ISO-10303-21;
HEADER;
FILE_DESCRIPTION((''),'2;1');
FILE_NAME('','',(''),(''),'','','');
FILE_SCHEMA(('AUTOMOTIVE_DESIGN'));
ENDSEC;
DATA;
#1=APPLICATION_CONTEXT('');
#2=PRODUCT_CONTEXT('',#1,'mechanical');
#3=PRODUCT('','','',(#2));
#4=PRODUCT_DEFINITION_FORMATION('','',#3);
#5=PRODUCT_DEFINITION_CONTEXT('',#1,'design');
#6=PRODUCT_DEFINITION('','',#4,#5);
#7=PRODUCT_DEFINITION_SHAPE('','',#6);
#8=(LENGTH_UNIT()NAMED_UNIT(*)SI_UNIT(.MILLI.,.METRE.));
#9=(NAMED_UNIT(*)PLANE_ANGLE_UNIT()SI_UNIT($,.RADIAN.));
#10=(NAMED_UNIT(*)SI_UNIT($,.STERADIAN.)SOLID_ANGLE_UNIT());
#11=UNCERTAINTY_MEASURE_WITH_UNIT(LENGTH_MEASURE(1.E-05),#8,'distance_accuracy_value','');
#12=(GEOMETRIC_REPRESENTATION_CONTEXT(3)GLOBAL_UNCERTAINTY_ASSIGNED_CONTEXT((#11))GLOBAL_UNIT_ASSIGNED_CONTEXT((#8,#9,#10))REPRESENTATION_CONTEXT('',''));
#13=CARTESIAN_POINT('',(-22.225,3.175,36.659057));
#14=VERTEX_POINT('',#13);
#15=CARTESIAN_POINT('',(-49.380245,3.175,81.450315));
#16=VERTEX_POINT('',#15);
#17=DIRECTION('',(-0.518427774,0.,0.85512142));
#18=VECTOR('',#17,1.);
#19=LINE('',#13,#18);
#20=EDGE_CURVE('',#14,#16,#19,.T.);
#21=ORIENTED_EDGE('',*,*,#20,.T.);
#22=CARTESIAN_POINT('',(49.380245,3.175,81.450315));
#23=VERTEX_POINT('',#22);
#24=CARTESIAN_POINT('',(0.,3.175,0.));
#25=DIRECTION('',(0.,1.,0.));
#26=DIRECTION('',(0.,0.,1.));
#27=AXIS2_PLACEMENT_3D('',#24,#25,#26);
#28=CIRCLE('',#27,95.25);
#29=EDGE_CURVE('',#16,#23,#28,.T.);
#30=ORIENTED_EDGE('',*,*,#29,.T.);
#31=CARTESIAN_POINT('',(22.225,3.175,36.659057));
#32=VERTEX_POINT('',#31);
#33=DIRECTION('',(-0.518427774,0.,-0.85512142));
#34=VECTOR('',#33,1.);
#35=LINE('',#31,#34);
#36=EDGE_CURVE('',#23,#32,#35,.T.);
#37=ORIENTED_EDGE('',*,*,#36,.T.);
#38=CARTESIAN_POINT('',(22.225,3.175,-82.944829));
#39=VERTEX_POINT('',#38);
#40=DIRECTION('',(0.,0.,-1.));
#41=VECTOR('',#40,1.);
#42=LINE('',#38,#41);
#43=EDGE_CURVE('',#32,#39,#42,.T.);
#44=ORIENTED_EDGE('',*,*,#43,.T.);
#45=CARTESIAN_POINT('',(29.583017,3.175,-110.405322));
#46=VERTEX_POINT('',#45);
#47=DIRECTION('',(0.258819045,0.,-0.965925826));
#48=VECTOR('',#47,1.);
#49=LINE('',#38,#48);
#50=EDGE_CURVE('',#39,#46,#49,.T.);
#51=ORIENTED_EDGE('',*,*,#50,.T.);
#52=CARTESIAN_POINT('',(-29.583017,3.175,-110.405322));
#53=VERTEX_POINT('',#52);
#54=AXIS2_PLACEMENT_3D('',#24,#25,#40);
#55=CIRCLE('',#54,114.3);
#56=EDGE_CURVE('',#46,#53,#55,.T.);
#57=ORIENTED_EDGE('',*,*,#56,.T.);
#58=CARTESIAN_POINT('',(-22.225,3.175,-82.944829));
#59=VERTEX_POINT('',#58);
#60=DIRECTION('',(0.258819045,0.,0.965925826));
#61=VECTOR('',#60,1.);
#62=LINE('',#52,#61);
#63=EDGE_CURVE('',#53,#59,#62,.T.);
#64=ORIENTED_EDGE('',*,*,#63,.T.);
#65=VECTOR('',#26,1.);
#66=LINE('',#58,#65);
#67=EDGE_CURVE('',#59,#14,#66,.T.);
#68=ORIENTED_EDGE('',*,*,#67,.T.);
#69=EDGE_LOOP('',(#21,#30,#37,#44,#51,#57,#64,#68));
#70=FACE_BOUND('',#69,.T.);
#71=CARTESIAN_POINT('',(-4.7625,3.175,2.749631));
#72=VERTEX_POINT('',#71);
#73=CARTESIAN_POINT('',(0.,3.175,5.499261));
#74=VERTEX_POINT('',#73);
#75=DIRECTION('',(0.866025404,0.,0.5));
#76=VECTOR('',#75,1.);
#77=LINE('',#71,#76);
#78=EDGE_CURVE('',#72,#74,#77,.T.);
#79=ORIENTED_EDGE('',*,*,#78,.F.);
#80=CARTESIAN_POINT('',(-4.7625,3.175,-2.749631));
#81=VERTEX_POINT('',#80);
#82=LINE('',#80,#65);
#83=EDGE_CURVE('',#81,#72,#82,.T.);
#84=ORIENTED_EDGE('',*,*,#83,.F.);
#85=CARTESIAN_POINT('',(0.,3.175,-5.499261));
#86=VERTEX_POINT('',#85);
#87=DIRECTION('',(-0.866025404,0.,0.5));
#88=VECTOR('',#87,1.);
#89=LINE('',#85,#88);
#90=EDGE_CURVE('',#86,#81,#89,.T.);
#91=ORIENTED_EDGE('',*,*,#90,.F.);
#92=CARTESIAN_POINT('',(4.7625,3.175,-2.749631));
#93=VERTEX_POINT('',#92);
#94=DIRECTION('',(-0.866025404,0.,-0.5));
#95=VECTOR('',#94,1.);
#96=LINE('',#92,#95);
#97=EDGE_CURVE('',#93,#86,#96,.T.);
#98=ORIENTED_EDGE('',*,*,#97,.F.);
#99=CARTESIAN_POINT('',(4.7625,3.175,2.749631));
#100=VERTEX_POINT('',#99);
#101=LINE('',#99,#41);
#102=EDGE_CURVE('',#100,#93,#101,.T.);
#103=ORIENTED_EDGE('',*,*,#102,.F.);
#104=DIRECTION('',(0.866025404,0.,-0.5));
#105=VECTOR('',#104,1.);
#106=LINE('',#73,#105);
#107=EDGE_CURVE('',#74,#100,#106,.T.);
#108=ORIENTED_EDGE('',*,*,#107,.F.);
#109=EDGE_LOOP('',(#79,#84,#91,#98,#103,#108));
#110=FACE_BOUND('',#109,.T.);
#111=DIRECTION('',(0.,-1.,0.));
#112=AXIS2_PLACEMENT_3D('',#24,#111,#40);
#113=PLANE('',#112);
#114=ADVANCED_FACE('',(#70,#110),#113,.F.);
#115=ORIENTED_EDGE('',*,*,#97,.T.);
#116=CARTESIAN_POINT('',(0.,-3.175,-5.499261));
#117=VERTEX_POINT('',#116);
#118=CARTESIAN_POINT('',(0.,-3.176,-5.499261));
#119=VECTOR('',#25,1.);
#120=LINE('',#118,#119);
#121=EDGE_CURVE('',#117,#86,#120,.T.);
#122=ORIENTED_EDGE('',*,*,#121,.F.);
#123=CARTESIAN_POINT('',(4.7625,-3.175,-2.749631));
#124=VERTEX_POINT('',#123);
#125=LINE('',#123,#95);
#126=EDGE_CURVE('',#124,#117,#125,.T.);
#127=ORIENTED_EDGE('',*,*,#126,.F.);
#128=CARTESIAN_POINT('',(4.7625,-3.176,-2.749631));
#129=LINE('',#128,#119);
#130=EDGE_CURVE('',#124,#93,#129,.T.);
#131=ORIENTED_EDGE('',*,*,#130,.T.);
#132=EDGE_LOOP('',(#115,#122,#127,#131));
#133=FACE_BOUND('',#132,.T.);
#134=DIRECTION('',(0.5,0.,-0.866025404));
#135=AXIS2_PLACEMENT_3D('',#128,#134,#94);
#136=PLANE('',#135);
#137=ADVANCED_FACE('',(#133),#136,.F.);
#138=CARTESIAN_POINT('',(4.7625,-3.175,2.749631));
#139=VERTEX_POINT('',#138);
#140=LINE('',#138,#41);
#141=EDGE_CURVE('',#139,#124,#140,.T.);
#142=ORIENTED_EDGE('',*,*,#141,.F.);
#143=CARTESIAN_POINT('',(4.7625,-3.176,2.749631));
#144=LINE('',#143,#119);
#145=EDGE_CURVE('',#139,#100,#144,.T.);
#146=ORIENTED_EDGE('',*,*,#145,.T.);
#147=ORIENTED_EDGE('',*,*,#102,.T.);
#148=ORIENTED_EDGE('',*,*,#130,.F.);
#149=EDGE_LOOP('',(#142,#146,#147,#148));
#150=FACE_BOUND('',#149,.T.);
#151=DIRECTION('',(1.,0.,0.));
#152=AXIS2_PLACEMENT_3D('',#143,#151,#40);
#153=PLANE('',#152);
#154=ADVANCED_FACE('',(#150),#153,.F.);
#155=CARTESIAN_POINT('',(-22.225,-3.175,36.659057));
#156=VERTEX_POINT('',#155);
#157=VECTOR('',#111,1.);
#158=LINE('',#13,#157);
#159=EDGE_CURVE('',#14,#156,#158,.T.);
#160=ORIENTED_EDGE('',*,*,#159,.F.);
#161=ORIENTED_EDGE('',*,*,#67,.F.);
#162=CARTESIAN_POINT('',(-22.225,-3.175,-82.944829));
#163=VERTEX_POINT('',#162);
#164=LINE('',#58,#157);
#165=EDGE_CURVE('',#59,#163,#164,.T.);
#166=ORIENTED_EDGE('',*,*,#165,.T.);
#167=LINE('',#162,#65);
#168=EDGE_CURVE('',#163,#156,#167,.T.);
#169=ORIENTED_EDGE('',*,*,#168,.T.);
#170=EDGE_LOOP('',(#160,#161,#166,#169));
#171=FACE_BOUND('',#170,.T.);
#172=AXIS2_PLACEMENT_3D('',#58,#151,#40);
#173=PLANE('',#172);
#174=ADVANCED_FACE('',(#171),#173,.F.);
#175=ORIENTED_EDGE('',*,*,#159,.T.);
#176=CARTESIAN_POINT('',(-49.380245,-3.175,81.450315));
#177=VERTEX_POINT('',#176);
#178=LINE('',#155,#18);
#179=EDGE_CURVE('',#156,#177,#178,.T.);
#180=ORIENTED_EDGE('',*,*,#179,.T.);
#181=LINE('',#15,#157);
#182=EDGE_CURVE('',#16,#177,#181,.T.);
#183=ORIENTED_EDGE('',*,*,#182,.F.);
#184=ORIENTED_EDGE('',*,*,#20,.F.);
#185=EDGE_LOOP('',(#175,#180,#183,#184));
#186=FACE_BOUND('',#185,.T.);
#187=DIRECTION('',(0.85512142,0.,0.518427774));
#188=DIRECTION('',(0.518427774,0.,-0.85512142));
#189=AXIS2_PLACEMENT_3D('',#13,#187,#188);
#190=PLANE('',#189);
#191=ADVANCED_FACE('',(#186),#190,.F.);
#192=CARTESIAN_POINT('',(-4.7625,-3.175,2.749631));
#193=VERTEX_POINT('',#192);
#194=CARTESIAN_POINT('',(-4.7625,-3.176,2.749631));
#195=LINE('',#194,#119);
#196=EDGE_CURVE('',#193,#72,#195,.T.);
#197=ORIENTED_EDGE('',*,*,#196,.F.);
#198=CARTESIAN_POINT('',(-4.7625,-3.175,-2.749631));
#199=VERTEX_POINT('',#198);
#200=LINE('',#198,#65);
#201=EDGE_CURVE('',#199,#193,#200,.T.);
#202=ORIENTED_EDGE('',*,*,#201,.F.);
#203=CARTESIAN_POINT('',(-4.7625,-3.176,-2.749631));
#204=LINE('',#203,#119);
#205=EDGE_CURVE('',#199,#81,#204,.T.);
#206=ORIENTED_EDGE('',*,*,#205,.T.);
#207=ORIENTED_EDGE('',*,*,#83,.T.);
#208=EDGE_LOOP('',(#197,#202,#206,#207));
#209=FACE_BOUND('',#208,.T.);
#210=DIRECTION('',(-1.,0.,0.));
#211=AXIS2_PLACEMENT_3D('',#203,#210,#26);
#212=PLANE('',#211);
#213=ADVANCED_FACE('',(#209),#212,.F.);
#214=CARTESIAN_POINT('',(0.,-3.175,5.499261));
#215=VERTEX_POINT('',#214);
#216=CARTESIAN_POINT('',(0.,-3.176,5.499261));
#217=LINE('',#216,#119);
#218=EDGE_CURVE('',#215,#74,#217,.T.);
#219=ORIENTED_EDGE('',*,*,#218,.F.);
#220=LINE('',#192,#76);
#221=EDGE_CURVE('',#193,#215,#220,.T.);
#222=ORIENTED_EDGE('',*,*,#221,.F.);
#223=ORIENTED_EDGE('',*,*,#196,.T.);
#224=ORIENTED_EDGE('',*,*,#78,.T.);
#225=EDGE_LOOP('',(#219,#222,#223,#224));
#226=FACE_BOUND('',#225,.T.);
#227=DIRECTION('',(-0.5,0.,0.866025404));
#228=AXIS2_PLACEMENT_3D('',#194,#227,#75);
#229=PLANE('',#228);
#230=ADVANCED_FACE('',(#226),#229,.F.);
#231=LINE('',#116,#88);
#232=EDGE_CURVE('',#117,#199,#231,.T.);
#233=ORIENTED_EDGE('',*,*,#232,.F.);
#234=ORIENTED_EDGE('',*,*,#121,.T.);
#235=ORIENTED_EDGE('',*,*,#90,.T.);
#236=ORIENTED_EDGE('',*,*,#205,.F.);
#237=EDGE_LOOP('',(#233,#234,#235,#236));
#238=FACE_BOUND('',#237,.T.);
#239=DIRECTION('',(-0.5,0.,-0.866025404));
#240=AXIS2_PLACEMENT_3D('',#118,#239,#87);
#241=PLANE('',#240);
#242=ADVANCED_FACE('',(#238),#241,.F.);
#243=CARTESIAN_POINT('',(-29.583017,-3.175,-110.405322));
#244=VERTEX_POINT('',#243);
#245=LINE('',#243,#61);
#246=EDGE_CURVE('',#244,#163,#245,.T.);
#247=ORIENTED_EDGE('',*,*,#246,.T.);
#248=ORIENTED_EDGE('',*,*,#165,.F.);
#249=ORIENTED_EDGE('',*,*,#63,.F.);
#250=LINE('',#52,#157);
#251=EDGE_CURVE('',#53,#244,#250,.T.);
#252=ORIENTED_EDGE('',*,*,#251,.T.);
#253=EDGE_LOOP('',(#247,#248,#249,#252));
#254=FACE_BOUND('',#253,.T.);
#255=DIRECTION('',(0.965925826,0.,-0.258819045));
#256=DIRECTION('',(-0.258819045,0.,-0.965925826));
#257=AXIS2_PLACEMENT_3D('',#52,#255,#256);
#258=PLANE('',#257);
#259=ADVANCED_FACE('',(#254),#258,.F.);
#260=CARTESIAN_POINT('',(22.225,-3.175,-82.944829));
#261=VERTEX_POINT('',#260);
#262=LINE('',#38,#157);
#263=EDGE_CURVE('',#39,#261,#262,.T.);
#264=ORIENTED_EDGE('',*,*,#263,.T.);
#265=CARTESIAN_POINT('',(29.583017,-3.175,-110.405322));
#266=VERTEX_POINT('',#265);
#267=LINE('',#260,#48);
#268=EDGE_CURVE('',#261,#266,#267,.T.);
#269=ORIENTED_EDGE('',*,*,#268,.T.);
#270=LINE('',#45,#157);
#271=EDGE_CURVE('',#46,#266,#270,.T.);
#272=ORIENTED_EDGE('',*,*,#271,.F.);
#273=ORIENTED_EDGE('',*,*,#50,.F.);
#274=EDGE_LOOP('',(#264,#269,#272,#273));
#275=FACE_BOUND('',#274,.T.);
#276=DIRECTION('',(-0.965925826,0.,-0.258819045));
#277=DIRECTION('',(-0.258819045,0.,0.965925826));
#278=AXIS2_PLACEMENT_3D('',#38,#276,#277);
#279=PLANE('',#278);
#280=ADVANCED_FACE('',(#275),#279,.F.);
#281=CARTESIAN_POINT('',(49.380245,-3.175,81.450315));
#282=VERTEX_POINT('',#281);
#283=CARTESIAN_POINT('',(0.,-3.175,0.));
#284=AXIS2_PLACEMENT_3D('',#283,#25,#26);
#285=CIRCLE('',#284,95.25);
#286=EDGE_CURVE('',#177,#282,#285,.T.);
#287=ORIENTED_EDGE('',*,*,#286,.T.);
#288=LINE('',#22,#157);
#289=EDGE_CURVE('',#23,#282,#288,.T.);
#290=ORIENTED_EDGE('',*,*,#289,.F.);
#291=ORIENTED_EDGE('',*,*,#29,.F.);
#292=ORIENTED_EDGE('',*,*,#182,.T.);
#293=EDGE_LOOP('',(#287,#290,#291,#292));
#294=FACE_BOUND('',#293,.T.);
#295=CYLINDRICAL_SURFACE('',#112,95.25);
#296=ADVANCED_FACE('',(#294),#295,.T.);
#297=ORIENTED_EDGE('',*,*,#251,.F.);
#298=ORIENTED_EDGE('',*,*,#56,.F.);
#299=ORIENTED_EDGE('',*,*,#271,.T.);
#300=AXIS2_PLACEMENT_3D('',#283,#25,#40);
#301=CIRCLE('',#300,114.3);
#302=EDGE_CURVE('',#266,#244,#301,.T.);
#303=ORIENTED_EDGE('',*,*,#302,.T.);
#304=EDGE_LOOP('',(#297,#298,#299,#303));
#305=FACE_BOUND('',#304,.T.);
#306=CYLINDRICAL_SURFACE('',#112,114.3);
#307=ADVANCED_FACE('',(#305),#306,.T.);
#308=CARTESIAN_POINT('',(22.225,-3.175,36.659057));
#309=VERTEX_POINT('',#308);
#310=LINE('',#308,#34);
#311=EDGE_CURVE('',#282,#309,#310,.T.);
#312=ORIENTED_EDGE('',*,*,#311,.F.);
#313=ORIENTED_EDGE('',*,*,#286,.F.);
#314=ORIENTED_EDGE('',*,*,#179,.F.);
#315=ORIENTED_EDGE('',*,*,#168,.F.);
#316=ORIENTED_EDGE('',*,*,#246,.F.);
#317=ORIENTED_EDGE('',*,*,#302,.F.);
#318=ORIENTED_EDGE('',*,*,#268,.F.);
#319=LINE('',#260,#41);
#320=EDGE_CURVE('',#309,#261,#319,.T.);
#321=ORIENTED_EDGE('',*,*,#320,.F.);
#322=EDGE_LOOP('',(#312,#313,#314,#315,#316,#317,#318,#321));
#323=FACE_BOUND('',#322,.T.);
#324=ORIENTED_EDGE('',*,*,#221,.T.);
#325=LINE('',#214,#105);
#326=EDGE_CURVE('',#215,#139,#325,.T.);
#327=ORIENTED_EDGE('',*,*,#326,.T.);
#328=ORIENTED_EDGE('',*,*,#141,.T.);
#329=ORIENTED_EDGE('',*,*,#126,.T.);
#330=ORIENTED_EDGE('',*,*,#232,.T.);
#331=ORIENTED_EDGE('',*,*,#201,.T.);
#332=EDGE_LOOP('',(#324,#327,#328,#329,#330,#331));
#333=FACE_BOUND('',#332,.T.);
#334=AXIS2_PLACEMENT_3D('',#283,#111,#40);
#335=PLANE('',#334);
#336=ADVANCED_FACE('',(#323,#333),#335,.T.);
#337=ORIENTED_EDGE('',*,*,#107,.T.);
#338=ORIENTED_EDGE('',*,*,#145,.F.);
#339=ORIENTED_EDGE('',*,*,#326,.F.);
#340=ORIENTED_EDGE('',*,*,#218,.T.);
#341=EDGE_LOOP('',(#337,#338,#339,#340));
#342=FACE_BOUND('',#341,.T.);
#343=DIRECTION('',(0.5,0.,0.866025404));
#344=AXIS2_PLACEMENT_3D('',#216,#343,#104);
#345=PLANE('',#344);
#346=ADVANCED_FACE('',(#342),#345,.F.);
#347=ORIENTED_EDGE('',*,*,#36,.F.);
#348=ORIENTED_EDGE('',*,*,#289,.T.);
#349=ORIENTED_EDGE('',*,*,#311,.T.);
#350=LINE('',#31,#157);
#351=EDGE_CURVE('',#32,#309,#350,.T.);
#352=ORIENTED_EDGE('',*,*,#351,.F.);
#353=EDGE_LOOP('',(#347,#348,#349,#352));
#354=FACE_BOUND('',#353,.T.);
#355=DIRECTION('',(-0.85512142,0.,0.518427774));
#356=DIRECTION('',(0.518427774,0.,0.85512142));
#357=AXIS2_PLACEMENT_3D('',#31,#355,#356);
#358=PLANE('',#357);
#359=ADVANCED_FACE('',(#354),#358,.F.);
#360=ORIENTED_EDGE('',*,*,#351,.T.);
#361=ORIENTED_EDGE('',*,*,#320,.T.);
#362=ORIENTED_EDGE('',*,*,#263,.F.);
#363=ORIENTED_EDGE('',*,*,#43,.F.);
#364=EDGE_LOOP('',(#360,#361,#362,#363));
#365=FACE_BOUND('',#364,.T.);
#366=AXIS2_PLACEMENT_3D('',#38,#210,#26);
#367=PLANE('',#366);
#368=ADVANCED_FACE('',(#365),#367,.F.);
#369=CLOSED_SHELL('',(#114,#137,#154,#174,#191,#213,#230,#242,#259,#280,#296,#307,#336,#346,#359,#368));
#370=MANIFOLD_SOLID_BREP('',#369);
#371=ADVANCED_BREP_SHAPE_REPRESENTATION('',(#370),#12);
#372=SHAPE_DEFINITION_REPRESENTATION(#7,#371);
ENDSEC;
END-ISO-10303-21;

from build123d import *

# Parameters (mm, degrees)
BOSS_EXTRUDE1_DEPTH = 3.175
CUT_EXTRUDE1_REACH  = 126.672


with BuildPart() as part:
    # Sketch1 → Boss-Extrude1 (new, symmetric)
    with BuildSketch(Plane(origin=(0, 0, 0), x_dir=(1, 0, 0), z_dir=(0, 1, 0))):
        with BuildLine():
            Line((-22.225, 82.944829198), (-22.225, -36.659057496))
            Line((-22.225, -36.659057496), (-49.38024545, -81.450315281))
            ThreePointArc((-49.38024545, -81.450315281), (0, -95.25), (49.38024545, -81.450315281))
            Line((49.38024545, -81.450315281), (22.225, -36.659057496))
            Line((22.225, -36.659057496), (22.225, 82.944829198))
            Line((22.225, 82.944829198), (29.583016855, 110.405321945))
            ThreePointArc((29.583016855, 110.405321945), (0, 114.3), (-29.583016855, 110.405321945))
            Line((-29.583016855, 110.405321945), (-22.225, 82.944829198))
        make_face()
    extrude(amount=BOSS_EXTRUDE1_DEPTH, both=True)

    # Sketch2 → Cut-Extrude1 (cut, up to next)
    with BuildSketch(Plane(origin=(0, 3.175, 0), x_dir=(1, 0, 0), z_dir=(0, 1, 0)), mode=Mode.PRIVATE) as cut_extrude1_sk1:
        Polygon((4.7625, -2.749630657), (4.7625, 2.749630657), (0, 5.499261314), (-4.7625, 2.749630657), (-4.7625, -2.749630657), (0, -5.499261314), align=None)
    cut_extrude1_tool1 = extrude(cut_extrude1_sk1.sketch, amount=-CUT_EXTRUDE1_REACH, mode=Mode.PRIVATE) & part.part
    add(cut_extrude1_tool1.solids().sort_by_distance((0, 3.175, 0))[0], mode=Mode.SUBTRACT)


solid = part.part
